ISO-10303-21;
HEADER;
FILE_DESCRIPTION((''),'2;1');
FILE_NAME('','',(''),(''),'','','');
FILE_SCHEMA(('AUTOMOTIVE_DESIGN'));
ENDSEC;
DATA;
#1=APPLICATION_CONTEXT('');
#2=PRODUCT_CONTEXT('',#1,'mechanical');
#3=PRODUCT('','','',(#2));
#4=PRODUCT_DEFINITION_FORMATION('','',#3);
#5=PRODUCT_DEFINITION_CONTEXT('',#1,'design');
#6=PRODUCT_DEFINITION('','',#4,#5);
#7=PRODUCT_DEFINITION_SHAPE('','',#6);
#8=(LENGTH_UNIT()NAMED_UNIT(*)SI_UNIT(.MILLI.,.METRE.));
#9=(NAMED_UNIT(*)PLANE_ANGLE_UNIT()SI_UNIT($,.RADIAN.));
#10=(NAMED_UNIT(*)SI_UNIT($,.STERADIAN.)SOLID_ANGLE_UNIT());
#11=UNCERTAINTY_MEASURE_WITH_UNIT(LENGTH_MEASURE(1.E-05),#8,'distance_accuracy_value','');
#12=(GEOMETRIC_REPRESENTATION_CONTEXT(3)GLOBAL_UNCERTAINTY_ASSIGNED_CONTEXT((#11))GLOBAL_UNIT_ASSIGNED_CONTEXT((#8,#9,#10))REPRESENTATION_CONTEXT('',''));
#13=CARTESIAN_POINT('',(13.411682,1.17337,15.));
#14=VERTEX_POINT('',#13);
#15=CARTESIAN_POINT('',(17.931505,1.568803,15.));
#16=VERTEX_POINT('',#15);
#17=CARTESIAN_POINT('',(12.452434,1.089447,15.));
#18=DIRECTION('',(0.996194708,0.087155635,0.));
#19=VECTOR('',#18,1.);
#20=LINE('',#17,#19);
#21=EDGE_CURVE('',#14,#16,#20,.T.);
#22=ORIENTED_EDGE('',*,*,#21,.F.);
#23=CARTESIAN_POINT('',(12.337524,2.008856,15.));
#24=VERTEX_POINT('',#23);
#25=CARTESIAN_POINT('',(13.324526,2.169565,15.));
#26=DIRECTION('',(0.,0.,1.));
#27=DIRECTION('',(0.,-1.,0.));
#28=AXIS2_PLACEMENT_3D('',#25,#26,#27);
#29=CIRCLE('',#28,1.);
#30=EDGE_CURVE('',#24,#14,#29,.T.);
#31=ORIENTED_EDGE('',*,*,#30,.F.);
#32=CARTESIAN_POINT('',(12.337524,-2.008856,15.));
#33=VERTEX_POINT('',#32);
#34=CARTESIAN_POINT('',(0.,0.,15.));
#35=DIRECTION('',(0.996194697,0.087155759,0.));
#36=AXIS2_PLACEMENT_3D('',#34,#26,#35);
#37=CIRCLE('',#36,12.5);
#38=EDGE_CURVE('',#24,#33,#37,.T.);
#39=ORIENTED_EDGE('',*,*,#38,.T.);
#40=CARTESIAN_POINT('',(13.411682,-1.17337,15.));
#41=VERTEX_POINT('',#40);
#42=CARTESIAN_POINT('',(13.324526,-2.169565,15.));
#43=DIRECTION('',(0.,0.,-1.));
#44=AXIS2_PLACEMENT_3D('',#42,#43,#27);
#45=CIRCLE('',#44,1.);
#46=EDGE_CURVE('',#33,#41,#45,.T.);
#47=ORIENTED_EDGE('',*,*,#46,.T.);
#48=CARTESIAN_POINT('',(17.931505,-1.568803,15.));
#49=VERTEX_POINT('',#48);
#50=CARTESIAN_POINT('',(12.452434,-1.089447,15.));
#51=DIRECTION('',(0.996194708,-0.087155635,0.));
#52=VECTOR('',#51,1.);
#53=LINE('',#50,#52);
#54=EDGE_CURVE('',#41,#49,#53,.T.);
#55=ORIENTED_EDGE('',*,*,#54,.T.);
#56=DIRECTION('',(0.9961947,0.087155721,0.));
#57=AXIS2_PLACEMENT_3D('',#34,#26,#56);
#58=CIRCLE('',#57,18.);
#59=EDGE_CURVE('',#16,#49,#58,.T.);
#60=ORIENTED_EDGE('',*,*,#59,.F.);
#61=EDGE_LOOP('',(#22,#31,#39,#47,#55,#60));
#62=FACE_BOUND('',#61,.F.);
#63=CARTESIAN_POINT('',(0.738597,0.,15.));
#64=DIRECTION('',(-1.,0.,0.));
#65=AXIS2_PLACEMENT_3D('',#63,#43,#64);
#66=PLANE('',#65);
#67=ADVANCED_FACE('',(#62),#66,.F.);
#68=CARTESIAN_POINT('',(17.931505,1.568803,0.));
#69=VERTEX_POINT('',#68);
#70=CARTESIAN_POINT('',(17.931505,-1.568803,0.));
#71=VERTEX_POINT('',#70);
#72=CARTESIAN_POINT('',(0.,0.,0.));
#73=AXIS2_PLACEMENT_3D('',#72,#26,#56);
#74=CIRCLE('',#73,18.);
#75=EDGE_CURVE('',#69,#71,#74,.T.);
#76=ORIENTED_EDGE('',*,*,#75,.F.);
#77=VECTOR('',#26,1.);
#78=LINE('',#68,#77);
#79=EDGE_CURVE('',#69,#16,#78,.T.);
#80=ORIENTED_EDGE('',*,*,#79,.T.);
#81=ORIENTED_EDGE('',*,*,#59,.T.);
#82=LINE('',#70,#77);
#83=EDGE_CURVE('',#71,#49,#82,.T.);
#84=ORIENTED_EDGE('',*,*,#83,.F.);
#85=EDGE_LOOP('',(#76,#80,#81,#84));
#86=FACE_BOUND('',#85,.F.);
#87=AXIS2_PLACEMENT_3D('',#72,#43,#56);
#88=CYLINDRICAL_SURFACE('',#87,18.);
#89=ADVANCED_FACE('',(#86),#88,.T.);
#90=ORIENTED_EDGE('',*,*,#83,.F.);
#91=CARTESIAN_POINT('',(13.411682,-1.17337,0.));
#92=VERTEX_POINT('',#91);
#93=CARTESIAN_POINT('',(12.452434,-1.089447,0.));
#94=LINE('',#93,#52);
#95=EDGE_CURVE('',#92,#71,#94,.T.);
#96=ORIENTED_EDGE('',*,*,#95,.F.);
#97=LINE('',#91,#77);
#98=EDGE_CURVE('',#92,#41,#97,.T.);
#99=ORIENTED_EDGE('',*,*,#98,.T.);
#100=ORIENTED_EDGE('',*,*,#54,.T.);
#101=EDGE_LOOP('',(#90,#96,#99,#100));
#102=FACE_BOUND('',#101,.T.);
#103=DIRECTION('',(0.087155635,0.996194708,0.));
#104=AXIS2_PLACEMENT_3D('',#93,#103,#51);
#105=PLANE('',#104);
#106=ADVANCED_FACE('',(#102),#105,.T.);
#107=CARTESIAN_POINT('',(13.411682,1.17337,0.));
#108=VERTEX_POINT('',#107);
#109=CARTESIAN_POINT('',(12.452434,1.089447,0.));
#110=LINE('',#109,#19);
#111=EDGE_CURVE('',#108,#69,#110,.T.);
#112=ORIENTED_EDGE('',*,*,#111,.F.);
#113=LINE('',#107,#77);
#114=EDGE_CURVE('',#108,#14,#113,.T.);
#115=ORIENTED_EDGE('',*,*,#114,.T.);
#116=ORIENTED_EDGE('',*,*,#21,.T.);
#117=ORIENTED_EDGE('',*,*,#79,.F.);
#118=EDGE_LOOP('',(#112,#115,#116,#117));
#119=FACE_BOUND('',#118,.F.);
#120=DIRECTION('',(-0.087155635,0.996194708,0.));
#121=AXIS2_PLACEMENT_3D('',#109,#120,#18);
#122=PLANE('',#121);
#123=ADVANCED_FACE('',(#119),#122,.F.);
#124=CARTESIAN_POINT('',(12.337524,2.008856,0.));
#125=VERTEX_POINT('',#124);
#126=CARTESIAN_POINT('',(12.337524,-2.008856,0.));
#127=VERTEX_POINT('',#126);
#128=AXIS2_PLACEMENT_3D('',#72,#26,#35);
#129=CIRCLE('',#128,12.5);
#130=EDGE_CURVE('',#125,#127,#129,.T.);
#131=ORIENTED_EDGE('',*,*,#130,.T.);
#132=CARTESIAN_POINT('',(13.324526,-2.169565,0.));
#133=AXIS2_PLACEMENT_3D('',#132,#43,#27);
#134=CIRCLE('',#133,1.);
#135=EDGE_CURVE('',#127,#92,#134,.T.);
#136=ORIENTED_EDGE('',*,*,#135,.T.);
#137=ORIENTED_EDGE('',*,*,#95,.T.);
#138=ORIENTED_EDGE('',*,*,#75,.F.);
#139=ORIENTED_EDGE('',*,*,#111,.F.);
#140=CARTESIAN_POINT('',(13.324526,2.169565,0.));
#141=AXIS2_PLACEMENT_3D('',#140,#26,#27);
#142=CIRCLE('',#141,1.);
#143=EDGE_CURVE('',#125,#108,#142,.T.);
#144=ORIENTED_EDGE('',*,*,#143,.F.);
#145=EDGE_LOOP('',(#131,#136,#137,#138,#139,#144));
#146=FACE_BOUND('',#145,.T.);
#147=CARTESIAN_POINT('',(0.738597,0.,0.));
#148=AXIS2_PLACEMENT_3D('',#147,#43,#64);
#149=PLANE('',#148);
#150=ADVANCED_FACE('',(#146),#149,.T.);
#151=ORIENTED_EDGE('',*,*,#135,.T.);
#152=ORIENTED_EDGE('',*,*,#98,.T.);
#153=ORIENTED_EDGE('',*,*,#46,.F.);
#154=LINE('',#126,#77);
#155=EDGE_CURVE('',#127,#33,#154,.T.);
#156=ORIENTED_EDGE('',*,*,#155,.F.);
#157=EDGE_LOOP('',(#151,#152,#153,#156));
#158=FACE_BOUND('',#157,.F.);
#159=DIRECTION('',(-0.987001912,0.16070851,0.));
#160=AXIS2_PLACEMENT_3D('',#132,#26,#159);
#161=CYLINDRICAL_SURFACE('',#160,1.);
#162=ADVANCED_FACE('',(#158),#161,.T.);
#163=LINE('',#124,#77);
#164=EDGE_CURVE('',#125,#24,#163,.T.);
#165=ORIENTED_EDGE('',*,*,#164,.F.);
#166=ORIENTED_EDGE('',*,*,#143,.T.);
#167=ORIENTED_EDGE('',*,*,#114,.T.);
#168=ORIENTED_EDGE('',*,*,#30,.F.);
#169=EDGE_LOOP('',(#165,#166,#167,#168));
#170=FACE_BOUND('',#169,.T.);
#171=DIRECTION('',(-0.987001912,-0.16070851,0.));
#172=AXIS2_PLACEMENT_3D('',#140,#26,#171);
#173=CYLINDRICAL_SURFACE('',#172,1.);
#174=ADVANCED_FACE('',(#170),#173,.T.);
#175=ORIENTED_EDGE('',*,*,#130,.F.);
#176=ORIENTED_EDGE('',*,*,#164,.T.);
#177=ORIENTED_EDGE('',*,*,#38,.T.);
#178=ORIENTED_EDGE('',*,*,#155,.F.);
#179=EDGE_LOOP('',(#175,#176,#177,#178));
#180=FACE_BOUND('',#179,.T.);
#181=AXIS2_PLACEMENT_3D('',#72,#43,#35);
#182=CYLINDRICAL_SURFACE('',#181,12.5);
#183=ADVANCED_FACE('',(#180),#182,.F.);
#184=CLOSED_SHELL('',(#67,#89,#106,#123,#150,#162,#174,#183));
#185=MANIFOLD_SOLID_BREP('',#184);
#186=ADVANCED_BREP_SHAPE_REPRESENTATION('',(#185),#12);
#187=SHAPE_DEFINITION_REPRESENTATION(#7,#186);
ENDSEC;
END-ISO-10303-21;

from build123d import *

# Parameters (mm, degrees)
PAD_DEPTH = 15
FILLET_R  = 1


with BuildPart() as part:
    # Sketch → Pad (new body)
    with BuildSketch(Plane.XY):
        with BuildLine():
            ThreePointArc((12.452434, 1.089447), (-12.5, 0), (12.452434, -1.089447))
            Line((12.452434, -1.089447), (17.931505, -1.568803))
            ThreePointArc((17.931505, 1.568803), (-18, 0), (17.931505, -1.568803))
            Line((12.452434, 1.089447), (17.931505, 1.568803))
        make_face()
    extrude(amount=PAD_DEPTH)

    # Fillet
    fillet_edges = [part.edges().sort_by_distance(p)[0] for p in [
        (12.452434, 1.089447, 7.5),
        (12.452434, -1.089447, 7.5),
    ]]
    fillet(fillet_edges, radius=FILLET_R)


solid = part.part
